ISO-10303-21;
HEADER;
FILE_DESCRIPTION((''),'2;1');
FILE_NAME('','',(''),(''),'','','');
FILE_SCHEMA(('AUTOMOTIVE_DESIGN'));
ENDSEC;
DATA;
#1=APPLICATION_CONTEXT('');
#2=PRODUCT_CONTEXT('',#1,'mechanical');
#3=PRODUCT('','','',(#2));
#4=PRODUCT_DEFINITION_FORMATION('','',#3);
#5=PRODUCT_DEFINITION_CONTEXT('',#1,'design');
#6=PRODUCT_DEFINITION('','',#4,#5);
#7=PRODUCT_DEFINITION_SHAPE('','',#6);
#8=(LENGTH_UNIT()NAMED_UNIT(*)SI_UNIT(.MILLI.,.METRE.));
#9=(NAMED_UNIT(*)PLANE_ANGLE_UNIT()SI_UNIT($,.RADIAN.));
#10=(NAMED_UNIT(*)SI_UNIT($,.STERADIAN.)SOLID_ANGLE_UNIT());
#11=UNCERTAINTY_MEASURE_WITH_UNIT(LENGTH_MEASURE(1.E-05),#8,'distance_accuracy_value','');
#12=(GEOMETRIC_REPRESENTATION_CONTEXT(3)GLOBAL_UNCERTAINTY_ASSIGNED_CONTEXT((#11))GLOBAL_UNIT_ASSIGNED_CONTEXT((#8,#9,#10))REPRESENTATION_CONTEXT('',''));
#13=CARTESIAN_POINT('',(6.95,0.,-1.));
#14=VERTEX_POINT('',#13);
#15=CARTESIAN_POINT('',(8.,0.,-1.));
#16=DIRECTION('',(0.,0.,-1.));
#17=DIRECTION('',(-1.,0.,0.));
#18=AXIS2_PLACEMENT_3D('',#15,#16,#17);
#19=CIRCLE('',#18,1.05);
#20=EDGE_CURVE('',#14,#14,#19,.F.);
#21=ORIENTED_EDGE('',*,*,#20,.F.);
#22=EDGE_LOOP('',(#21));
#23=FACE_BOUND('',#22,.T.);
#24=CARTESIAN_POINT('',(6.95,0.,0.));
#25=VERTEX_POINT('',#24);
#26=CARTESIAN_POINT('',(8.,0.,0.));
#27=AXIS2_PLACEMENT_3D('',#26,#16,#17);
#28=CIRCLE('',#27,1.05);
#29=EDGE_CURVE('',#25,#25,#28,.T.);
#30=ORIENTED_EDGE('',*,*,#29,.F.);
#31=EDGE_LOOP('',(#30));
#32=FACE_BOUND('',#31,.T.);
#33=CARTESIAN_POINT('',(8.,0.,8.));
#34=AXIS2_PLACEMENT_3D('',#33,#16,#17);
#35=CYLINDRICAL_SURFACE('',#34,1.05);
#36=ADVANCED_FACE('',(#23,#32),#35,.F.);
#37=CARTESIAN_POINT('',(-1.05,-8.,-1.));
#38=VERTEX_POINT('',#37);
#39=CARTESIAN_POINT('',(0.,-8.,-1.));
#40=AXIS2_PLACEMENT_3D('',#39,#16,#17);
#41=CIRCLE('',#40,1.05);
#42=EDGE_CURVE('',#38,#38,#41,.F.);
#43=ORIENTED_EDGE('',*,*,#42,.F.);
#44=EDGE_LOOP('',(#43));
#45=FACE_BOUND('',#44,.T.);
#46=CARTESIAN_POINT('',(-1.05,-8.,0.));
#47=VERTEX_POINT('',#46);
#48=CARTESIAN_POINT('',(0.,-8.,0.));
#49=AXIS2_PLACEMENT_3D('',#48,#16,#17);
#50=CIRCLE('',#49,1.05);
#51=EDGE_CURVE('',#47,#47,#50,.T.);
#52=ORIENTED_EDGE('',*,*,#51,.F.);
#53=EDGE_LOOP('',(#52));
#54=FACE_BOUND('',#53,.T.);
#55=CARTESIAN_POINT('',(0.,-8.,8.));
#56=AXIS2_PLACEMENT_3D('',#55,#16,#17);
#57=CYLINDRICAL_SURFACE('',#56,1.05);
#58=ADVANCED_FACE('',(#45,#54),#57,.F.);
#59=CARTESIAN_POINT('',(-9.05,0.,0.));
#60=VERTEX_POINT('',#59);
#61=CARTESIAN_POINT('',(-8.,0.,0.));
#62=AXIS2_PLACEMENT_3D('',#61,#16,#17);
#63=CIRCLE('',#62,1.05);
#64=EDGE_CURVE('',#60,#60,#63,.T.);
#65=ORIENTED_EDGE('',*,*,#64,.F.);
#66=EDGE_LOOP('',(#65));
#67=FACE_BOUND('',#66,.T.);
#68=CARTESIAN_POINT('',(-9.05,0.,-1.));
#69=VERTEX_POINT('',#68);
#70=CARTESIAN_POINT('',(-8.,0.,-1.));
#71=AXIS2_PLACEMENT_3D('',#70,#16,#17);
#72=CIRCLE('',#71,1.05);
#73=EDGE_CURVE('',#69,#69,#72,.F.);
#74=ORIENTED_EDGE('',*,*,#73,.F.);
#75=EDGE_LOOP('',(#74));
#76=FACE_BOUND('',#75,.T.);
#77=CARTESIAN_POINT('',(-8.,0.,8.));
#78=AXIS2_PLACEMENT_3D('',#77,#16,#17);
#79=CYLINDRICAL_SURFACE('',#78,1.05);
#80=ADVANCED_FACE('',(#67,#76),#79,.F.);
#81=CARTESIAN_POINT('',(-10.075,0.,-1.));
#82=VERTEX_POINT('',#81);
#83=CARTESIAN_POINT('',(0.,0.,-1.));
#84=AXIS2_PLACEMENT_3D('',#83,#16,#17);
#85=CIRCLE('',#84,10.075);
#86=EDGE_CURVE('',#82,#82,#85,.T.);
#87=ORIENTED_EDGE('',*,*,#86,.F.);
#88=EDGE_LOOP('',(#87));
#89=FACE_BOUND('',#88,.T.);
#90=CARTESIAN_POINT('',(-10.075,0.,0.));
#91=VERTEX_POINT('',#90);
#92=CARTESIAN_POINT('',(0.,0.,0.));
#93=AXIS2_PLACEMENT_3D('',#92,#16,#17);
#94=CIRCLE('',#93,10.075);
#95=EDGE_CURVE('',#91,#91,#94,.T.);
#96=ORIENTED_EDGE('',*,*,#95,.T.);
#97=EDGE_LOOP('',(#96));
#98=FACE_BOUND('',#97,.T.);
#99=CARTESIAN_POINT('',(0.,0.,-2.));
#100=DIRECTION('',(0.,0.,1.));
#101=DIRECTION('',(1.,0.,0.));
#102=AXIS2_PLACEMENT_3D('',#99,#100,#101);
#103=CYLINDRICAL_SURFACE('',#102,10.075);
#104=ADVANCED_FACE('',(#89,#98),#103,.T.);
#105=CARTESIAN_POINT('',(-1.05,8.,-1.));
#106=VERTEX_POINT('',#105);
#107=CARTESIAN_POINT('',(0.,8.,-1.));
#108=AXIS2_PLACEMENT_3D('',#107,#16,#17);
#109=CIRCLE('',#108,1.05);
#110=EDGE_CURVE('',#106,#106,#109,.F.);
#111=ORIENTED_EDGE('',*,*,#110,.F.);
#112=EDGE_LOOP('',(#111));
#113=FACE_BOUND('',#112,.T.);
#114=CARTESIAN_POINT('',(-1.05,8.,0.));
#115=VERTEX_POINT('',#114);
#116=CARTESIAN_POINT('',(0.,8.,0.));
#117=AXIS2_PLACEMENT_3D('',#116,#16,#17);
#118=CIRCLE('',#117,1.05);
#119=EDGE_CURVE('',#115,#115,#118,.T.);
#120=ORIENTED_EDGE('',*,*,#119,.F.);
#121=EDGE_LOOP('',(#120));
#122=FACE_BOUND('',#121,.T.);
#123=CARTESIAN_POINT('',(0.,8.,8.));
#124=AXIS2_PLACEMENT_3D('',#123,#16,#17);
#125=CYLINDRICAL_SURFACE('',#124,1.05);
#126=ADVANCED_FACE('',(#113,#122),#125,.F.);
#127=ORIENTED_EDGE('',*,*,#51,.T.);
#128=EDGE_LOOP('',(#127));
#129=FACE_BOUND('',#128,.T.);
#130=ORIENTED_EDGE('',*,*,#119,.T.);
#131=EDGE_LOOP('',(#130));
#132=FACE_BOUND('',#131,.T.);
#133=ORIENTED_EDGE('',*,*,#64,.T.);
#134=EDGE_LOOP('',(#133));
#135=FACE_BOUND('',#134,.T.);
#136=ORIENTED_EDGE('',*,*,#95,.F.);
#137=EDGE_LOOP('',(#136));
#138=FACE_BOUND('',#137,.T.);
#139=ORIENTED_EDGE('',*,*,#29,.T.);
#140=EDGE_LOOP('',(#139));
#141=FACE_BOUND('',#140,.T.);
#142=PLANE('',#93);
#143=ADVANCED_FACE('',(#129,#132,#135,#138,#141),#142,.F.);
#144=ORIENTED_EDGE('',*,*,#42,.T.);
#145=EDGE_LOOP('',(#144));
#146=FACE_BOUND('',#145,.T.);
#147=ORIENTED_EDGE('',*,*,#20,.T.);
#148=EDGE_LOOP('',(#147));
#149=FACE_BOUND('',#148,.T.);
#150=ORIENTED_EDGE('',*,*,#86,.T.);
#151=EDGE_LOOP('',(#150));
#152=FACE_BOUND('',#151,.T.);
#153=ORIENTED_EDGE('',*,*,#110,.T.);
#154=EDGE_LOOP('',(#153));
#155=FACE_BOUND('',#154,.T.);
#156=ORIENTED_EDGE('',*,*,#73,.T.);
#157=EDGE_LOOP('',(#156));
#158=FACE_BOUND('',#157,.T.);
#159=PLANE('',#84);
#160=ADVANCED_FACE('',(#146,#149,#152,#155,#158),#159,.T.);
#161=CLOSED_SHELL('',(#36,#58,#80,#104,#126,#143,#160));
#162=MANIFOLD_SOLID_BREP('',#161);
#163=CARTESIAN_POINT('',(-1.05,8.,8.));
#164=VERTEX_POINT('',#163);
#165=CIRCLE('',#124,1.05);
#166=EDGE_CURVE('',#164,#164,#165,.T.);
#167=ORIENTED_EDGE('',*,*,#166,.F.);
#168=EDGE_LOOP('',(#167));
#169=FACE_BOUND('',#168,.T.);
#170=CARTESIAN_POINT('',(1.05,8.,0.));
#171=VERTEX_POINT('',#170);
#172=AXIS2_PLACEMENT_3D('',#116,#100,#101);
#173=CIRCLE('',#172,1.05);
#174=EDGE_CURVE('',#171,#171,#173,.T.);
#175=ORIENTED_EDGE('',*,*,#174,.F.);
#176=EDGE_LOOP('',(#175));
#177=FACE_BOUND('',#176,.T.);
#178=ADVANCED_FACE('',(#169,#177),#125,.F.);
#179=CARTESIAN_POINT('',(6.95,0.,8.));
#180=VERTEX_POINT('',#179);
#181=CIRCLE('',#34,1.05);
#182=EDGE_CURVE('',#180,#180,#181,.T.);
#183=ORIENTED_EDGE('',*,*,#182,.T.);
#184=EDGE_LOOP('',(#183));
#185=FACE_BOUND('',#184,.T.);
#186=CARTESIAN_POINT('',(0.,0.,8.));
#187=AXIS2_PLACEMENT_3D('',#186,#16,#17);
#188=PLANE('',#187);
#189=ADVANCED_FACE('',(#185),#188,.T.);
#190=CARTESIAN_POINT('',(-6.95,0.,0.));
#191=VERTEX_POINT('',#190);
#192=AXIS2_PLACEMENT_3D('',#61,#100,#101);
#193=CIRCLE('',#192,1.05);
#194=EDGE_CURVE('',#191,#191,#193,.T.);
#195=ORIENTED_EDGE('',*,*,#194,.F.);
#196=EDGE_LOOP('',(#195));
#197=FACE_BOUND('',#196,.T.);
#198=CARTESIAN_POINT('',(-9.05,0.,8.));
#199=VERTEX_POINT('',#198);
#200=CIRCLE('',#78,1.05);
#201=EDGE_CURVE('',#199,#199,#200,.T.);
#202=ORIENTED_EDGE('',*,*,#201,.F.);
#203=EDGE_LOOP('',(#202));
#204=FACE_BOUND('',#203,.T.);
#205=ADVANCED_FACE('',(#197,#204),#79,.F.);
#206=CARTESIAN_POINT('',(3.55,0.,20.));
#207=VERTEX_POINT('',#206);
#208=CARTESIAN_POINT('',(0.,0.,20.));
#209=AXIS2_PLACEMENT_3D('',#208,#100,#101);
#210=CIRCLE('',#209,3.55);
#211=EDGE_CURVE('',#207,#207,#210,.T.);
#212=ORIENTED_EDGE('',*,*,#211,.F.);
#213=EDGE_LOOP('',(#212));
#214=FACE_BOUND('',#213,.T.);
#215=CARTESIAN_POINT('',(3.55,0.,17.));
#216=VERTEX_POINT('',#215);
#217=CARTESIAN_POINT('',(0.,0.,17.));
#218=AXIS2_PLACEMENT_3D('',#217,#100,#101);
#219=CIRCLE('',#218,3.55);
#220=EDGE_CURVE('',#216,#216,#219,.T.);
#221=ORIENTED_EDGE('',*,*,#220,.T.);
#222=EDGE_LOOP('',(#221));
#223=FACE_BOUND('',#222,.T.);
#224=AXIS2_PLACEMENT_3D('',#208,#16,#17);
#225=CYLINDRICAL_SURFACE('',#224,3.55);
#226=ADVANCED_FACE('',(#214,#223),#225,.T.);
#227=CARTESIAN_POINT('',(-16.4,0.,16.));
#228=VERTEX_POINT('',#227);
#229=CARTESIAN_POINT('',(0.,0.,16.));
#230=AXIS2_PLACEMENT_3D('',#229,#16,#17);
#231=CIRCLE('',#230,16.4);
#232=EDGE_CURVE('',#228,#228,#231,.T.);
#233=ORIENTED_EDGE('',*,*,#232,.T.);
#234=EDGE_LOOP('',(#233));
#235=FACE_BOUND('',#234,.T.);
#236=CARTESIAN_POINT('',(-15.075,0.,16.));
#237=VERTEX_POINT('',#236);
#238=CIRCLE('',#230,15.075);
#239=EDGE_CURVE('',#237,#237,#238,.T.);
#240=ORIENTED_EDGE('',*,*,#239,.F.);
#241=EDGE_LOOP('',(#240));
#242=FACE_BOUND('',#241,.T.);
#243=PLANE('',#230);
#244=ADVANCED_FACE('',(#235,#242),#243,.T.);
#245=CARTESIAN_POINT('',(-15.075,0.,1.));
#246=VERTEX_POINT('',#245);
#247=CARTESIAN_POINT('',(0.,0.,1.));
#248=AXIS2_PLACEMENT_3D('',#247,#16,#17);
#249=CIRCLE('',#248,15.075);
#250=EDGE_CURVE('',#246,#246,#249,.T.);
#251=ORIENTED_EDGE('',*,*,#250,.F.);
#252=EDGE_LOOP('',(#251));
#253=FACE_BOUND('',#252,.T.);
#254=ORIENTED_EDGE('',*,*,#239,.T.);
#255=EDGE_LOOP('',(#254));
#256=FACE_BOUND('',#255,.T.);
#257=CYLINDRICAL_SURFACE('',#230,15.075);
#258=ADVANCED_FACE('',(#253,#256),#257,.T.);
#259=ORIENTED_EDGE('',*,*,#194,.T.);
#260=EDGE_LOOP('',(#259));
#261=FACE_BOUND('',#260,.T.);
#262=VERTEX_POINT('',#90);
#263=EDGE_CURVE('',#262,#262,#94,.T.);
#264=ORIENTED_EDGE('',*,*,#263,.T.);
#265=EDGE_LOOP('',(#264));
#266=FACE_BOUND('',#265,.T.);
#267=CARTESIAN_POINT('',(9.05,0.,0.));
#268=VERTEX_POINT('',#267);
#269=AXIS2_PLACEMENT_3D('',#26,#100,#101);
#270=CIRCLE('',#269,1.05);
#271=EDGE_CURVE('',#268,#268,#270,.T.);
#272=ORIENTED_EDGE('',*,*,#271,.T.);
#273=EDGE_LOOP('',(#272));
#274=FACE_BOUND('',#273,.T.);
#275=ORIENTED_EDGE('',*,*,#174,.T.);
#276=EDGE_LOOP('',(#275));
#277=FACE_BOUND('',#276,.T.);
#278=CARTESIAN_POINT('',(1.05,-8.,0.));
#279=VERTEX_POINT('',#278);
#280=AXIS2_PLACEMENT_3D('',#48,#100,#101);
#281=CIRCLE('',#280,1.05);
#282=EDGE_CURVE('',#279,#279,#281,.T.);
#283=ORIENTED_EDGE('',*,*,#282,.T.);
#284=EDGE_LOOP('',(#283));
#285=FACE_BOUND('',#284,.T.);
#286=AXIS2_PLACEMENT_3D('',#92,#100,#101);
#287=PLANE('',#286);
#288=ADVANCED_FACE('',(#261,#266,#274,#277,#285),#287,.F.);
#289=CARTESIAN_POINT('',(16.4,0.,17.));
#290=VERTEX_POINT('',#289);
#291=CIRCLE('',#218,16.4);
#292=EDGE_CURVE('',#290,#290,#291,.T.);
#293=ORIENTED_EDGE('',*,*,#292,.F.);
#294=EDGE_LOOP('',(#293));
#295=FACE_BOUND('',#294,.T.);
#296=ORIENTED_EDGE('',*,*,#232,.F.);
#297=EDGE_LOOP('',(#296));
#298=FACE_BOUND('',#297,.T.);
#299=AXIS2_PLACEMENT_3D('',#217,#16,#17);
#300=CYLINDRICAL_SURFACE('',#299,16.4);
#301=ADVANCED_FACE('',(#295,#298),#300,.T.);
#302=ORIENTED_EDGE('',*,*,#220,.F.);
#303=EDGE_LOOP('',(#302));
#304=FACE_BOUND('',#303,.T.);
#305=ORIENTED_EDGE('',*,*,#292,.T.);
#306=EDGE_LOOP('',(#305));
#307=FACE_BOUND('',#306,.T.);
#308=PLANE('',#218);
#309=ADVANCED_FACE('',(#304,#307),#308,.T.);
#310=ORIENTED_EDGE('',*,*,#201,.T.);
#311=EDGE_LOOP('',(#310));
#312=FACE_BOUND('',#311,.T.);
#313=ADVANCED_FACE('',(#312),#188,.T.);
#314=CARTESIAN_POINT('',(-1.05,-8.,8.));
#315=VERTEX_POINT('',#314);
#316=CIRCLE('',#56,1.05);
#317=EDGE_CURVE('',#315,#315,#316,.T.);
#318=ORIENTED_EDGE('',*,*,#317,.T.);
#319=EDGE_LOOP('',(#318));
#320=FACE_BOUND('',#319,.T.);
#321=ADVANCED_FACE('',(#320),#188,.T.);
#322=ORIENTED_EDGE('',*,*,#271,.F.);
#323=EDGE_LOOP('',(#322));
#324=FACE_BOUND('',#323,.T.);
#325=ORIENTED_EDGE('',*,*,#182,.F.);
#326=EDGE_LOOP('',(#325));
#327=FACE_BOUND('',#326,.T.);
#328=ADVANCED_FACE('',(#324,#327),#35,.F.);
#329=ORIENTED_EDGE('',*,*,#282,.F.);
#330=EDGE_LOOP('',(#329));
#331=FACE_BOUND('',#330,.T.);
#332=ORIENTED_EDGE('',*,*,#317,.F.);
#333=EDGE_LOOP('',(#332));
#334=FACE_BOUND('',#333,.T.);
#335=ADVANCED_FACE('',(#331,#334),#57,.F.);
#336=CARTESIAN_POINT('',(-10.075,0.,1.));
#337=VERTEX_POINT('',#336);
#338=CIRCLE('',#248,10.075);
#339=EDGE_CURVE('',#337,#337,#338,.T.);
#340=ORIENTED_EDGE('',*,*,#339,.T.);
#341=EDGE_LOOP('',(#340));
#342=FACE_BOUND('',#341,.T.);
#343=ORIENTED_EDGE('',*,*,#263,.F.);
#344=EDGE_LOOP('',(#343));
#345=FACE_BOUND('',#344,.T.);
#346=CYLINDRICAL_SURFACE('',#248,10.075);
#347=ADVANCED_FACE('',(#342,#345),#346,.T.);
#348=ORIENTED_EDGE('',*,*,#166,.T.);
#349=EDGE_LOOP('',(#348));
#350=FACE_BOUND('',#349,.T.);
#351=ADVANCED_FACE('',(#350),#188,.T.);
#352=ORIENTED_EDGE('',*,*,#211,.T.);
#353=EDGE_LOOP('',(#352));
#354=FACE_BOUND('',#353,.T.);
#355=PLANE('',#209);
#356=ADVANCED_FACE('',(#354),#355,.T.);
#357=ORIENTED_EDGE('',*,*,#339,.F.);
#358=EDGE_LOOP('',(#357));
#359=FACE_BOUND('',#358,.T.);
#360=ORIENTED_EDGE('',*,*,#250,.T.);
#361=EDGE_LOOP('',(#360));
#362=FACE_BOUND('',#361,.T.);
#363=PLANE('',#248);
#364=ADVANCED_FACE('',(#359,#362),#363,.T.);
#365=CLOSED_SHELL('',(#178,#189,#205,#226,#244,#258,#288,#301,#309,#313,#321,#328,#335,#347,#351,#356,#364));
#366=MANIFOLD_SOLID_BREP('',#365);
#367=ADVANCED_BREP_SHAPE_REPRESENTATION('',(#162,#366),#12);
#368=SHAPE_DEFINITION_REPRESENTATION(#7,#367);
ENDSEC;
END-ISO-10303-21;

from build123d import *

# Parameters (mm, degrees)
SKETCH_1_R          = 16.4
EXTRUDE_1_DEPTH     = 17
SKETCH_2_R          = 3.55
EXTRUDE_2_DEPTH     = 3
SKETCH_3_R          = 10.075
EXTRUDE_3_DEPTH     = 2
SKETCH_7_R          = 1.05
CUT_EXTRUDE_3_DEPTH = 10
SKETCH3_R           = 16.4
SKETCH3_R_2         = 15.075
CUT_EXTRUDE1_DEPTH  = 16
SKETCH4_R           = 15.075
SKETCH4_R_2         = 10.075
CUT_EXTRUDE2_DEPTH  = 1
SKETCH5_R           = 10.075
CUT_EXTRUDE3_DEPTH  = 1


with BuildPart() as part:
    # 草图1 → 凸台-拉伸1 (new body)
    with BuildSketch(Plane.XY):
        Circle(SKETCH_1_R)
    extrude(amount=EXTRUDE_1_DEPTH)

    # 草图2 → 凸台-拉伸2 (add)
    with BuildSketch(Plane.XY.offset(17)):
        Circle(SKETCH_2_R)
    extrude(amount=EXTRUDE_2_DEPTH)


with BuildPart() as body_2:
    # 草图3 → 凸台-拉伸3 (new body)
    with BuildSketch(Plane(origin=(0, 0, 0), x_dir=(-1, 0, 0), z_dir=(0, 0, -1))):
        Circle(SKETCH_3_R)
    extrude(amount=EXTRUDE_3_DEPTH)


with BuildPart() as cut_extrude_3_tool:
    # 草图7 → 切除-拉伸3 (new body)
    with BuildSketch(Plane(origin=(0, 0, -2), x_dir=(-1, 0, 0), z_dir=(0, 0, -1))):
        with Locations((0, 8)):
            Circle(SKETCH_7_R)
        with Locations((8, 0)):
            Circle(SKETCH_7_R)
        with Locations((0, -8)):
            Circle(SKETCH_7_R)
        with Locations((-8, 0)):
            Circle(SKETCH_7_R)
    extrude(amount=-CUT_EXTRUDE_3_DEPTH)


with BuildPart() as part_1:
    add(part.part)

    # 切除-拉伸3: cut by cut_extrude_3_tool
    add(cut_extrude_3_tool.part, mode=Mode.SUBTRACT)

    # Sketch3 → Cut-Extrude1 (cut)
    with BuildSketch(Plane(origin=(0, 0, 0), x_dir=(-1, 0, 0), z_dir=(0, 0, -1))):
        Circle(SKETCH3_R)
        Circle(SKETCH3_R_2, mode=Mode.SUBTRACT)
    extrude(amount=-CUT_EXTRUDE1_DEPTH, mode=Mode.SUBTRACT)

    # Sketch4 → Cut-Extrude2 (cut)
    with BuildSketch(Plane(origin=(0, 0, 0), x_dir=(-1, 0, 0), z_dir=(0, 0, -1))):
        Circle(SKETCH4_R)
        Circle(SKETCH4_R_2, mode=Mode.SUBTRACT)
    extrude(amount=-CUT_EXTRUDE2_DEPTH, mode=Mode.SUBTRACT)


with BuildPart() as body_2_1:
    add(body_2.part)

    # 切除-拉伸3: cut by cut_extrude_3_tool
    add(cut_extrude_3_tool.part, mode=Mode.SUBTRACT)

    # Sketch5 → Cut-Extrude3 (cut)
    with BuildSketch(Plane(origin=(0, 0, -2), x_dir=(-1, 0, 0), z_dir=(0, 0, -1))):
        Circle(SKETCH5_R)
    extrude(amount=-CUT_EXTRUDE3_DEPTH, mode=Mode.SUBTRACT)


solid = Compound([part_1.part, body_2_1.part])
